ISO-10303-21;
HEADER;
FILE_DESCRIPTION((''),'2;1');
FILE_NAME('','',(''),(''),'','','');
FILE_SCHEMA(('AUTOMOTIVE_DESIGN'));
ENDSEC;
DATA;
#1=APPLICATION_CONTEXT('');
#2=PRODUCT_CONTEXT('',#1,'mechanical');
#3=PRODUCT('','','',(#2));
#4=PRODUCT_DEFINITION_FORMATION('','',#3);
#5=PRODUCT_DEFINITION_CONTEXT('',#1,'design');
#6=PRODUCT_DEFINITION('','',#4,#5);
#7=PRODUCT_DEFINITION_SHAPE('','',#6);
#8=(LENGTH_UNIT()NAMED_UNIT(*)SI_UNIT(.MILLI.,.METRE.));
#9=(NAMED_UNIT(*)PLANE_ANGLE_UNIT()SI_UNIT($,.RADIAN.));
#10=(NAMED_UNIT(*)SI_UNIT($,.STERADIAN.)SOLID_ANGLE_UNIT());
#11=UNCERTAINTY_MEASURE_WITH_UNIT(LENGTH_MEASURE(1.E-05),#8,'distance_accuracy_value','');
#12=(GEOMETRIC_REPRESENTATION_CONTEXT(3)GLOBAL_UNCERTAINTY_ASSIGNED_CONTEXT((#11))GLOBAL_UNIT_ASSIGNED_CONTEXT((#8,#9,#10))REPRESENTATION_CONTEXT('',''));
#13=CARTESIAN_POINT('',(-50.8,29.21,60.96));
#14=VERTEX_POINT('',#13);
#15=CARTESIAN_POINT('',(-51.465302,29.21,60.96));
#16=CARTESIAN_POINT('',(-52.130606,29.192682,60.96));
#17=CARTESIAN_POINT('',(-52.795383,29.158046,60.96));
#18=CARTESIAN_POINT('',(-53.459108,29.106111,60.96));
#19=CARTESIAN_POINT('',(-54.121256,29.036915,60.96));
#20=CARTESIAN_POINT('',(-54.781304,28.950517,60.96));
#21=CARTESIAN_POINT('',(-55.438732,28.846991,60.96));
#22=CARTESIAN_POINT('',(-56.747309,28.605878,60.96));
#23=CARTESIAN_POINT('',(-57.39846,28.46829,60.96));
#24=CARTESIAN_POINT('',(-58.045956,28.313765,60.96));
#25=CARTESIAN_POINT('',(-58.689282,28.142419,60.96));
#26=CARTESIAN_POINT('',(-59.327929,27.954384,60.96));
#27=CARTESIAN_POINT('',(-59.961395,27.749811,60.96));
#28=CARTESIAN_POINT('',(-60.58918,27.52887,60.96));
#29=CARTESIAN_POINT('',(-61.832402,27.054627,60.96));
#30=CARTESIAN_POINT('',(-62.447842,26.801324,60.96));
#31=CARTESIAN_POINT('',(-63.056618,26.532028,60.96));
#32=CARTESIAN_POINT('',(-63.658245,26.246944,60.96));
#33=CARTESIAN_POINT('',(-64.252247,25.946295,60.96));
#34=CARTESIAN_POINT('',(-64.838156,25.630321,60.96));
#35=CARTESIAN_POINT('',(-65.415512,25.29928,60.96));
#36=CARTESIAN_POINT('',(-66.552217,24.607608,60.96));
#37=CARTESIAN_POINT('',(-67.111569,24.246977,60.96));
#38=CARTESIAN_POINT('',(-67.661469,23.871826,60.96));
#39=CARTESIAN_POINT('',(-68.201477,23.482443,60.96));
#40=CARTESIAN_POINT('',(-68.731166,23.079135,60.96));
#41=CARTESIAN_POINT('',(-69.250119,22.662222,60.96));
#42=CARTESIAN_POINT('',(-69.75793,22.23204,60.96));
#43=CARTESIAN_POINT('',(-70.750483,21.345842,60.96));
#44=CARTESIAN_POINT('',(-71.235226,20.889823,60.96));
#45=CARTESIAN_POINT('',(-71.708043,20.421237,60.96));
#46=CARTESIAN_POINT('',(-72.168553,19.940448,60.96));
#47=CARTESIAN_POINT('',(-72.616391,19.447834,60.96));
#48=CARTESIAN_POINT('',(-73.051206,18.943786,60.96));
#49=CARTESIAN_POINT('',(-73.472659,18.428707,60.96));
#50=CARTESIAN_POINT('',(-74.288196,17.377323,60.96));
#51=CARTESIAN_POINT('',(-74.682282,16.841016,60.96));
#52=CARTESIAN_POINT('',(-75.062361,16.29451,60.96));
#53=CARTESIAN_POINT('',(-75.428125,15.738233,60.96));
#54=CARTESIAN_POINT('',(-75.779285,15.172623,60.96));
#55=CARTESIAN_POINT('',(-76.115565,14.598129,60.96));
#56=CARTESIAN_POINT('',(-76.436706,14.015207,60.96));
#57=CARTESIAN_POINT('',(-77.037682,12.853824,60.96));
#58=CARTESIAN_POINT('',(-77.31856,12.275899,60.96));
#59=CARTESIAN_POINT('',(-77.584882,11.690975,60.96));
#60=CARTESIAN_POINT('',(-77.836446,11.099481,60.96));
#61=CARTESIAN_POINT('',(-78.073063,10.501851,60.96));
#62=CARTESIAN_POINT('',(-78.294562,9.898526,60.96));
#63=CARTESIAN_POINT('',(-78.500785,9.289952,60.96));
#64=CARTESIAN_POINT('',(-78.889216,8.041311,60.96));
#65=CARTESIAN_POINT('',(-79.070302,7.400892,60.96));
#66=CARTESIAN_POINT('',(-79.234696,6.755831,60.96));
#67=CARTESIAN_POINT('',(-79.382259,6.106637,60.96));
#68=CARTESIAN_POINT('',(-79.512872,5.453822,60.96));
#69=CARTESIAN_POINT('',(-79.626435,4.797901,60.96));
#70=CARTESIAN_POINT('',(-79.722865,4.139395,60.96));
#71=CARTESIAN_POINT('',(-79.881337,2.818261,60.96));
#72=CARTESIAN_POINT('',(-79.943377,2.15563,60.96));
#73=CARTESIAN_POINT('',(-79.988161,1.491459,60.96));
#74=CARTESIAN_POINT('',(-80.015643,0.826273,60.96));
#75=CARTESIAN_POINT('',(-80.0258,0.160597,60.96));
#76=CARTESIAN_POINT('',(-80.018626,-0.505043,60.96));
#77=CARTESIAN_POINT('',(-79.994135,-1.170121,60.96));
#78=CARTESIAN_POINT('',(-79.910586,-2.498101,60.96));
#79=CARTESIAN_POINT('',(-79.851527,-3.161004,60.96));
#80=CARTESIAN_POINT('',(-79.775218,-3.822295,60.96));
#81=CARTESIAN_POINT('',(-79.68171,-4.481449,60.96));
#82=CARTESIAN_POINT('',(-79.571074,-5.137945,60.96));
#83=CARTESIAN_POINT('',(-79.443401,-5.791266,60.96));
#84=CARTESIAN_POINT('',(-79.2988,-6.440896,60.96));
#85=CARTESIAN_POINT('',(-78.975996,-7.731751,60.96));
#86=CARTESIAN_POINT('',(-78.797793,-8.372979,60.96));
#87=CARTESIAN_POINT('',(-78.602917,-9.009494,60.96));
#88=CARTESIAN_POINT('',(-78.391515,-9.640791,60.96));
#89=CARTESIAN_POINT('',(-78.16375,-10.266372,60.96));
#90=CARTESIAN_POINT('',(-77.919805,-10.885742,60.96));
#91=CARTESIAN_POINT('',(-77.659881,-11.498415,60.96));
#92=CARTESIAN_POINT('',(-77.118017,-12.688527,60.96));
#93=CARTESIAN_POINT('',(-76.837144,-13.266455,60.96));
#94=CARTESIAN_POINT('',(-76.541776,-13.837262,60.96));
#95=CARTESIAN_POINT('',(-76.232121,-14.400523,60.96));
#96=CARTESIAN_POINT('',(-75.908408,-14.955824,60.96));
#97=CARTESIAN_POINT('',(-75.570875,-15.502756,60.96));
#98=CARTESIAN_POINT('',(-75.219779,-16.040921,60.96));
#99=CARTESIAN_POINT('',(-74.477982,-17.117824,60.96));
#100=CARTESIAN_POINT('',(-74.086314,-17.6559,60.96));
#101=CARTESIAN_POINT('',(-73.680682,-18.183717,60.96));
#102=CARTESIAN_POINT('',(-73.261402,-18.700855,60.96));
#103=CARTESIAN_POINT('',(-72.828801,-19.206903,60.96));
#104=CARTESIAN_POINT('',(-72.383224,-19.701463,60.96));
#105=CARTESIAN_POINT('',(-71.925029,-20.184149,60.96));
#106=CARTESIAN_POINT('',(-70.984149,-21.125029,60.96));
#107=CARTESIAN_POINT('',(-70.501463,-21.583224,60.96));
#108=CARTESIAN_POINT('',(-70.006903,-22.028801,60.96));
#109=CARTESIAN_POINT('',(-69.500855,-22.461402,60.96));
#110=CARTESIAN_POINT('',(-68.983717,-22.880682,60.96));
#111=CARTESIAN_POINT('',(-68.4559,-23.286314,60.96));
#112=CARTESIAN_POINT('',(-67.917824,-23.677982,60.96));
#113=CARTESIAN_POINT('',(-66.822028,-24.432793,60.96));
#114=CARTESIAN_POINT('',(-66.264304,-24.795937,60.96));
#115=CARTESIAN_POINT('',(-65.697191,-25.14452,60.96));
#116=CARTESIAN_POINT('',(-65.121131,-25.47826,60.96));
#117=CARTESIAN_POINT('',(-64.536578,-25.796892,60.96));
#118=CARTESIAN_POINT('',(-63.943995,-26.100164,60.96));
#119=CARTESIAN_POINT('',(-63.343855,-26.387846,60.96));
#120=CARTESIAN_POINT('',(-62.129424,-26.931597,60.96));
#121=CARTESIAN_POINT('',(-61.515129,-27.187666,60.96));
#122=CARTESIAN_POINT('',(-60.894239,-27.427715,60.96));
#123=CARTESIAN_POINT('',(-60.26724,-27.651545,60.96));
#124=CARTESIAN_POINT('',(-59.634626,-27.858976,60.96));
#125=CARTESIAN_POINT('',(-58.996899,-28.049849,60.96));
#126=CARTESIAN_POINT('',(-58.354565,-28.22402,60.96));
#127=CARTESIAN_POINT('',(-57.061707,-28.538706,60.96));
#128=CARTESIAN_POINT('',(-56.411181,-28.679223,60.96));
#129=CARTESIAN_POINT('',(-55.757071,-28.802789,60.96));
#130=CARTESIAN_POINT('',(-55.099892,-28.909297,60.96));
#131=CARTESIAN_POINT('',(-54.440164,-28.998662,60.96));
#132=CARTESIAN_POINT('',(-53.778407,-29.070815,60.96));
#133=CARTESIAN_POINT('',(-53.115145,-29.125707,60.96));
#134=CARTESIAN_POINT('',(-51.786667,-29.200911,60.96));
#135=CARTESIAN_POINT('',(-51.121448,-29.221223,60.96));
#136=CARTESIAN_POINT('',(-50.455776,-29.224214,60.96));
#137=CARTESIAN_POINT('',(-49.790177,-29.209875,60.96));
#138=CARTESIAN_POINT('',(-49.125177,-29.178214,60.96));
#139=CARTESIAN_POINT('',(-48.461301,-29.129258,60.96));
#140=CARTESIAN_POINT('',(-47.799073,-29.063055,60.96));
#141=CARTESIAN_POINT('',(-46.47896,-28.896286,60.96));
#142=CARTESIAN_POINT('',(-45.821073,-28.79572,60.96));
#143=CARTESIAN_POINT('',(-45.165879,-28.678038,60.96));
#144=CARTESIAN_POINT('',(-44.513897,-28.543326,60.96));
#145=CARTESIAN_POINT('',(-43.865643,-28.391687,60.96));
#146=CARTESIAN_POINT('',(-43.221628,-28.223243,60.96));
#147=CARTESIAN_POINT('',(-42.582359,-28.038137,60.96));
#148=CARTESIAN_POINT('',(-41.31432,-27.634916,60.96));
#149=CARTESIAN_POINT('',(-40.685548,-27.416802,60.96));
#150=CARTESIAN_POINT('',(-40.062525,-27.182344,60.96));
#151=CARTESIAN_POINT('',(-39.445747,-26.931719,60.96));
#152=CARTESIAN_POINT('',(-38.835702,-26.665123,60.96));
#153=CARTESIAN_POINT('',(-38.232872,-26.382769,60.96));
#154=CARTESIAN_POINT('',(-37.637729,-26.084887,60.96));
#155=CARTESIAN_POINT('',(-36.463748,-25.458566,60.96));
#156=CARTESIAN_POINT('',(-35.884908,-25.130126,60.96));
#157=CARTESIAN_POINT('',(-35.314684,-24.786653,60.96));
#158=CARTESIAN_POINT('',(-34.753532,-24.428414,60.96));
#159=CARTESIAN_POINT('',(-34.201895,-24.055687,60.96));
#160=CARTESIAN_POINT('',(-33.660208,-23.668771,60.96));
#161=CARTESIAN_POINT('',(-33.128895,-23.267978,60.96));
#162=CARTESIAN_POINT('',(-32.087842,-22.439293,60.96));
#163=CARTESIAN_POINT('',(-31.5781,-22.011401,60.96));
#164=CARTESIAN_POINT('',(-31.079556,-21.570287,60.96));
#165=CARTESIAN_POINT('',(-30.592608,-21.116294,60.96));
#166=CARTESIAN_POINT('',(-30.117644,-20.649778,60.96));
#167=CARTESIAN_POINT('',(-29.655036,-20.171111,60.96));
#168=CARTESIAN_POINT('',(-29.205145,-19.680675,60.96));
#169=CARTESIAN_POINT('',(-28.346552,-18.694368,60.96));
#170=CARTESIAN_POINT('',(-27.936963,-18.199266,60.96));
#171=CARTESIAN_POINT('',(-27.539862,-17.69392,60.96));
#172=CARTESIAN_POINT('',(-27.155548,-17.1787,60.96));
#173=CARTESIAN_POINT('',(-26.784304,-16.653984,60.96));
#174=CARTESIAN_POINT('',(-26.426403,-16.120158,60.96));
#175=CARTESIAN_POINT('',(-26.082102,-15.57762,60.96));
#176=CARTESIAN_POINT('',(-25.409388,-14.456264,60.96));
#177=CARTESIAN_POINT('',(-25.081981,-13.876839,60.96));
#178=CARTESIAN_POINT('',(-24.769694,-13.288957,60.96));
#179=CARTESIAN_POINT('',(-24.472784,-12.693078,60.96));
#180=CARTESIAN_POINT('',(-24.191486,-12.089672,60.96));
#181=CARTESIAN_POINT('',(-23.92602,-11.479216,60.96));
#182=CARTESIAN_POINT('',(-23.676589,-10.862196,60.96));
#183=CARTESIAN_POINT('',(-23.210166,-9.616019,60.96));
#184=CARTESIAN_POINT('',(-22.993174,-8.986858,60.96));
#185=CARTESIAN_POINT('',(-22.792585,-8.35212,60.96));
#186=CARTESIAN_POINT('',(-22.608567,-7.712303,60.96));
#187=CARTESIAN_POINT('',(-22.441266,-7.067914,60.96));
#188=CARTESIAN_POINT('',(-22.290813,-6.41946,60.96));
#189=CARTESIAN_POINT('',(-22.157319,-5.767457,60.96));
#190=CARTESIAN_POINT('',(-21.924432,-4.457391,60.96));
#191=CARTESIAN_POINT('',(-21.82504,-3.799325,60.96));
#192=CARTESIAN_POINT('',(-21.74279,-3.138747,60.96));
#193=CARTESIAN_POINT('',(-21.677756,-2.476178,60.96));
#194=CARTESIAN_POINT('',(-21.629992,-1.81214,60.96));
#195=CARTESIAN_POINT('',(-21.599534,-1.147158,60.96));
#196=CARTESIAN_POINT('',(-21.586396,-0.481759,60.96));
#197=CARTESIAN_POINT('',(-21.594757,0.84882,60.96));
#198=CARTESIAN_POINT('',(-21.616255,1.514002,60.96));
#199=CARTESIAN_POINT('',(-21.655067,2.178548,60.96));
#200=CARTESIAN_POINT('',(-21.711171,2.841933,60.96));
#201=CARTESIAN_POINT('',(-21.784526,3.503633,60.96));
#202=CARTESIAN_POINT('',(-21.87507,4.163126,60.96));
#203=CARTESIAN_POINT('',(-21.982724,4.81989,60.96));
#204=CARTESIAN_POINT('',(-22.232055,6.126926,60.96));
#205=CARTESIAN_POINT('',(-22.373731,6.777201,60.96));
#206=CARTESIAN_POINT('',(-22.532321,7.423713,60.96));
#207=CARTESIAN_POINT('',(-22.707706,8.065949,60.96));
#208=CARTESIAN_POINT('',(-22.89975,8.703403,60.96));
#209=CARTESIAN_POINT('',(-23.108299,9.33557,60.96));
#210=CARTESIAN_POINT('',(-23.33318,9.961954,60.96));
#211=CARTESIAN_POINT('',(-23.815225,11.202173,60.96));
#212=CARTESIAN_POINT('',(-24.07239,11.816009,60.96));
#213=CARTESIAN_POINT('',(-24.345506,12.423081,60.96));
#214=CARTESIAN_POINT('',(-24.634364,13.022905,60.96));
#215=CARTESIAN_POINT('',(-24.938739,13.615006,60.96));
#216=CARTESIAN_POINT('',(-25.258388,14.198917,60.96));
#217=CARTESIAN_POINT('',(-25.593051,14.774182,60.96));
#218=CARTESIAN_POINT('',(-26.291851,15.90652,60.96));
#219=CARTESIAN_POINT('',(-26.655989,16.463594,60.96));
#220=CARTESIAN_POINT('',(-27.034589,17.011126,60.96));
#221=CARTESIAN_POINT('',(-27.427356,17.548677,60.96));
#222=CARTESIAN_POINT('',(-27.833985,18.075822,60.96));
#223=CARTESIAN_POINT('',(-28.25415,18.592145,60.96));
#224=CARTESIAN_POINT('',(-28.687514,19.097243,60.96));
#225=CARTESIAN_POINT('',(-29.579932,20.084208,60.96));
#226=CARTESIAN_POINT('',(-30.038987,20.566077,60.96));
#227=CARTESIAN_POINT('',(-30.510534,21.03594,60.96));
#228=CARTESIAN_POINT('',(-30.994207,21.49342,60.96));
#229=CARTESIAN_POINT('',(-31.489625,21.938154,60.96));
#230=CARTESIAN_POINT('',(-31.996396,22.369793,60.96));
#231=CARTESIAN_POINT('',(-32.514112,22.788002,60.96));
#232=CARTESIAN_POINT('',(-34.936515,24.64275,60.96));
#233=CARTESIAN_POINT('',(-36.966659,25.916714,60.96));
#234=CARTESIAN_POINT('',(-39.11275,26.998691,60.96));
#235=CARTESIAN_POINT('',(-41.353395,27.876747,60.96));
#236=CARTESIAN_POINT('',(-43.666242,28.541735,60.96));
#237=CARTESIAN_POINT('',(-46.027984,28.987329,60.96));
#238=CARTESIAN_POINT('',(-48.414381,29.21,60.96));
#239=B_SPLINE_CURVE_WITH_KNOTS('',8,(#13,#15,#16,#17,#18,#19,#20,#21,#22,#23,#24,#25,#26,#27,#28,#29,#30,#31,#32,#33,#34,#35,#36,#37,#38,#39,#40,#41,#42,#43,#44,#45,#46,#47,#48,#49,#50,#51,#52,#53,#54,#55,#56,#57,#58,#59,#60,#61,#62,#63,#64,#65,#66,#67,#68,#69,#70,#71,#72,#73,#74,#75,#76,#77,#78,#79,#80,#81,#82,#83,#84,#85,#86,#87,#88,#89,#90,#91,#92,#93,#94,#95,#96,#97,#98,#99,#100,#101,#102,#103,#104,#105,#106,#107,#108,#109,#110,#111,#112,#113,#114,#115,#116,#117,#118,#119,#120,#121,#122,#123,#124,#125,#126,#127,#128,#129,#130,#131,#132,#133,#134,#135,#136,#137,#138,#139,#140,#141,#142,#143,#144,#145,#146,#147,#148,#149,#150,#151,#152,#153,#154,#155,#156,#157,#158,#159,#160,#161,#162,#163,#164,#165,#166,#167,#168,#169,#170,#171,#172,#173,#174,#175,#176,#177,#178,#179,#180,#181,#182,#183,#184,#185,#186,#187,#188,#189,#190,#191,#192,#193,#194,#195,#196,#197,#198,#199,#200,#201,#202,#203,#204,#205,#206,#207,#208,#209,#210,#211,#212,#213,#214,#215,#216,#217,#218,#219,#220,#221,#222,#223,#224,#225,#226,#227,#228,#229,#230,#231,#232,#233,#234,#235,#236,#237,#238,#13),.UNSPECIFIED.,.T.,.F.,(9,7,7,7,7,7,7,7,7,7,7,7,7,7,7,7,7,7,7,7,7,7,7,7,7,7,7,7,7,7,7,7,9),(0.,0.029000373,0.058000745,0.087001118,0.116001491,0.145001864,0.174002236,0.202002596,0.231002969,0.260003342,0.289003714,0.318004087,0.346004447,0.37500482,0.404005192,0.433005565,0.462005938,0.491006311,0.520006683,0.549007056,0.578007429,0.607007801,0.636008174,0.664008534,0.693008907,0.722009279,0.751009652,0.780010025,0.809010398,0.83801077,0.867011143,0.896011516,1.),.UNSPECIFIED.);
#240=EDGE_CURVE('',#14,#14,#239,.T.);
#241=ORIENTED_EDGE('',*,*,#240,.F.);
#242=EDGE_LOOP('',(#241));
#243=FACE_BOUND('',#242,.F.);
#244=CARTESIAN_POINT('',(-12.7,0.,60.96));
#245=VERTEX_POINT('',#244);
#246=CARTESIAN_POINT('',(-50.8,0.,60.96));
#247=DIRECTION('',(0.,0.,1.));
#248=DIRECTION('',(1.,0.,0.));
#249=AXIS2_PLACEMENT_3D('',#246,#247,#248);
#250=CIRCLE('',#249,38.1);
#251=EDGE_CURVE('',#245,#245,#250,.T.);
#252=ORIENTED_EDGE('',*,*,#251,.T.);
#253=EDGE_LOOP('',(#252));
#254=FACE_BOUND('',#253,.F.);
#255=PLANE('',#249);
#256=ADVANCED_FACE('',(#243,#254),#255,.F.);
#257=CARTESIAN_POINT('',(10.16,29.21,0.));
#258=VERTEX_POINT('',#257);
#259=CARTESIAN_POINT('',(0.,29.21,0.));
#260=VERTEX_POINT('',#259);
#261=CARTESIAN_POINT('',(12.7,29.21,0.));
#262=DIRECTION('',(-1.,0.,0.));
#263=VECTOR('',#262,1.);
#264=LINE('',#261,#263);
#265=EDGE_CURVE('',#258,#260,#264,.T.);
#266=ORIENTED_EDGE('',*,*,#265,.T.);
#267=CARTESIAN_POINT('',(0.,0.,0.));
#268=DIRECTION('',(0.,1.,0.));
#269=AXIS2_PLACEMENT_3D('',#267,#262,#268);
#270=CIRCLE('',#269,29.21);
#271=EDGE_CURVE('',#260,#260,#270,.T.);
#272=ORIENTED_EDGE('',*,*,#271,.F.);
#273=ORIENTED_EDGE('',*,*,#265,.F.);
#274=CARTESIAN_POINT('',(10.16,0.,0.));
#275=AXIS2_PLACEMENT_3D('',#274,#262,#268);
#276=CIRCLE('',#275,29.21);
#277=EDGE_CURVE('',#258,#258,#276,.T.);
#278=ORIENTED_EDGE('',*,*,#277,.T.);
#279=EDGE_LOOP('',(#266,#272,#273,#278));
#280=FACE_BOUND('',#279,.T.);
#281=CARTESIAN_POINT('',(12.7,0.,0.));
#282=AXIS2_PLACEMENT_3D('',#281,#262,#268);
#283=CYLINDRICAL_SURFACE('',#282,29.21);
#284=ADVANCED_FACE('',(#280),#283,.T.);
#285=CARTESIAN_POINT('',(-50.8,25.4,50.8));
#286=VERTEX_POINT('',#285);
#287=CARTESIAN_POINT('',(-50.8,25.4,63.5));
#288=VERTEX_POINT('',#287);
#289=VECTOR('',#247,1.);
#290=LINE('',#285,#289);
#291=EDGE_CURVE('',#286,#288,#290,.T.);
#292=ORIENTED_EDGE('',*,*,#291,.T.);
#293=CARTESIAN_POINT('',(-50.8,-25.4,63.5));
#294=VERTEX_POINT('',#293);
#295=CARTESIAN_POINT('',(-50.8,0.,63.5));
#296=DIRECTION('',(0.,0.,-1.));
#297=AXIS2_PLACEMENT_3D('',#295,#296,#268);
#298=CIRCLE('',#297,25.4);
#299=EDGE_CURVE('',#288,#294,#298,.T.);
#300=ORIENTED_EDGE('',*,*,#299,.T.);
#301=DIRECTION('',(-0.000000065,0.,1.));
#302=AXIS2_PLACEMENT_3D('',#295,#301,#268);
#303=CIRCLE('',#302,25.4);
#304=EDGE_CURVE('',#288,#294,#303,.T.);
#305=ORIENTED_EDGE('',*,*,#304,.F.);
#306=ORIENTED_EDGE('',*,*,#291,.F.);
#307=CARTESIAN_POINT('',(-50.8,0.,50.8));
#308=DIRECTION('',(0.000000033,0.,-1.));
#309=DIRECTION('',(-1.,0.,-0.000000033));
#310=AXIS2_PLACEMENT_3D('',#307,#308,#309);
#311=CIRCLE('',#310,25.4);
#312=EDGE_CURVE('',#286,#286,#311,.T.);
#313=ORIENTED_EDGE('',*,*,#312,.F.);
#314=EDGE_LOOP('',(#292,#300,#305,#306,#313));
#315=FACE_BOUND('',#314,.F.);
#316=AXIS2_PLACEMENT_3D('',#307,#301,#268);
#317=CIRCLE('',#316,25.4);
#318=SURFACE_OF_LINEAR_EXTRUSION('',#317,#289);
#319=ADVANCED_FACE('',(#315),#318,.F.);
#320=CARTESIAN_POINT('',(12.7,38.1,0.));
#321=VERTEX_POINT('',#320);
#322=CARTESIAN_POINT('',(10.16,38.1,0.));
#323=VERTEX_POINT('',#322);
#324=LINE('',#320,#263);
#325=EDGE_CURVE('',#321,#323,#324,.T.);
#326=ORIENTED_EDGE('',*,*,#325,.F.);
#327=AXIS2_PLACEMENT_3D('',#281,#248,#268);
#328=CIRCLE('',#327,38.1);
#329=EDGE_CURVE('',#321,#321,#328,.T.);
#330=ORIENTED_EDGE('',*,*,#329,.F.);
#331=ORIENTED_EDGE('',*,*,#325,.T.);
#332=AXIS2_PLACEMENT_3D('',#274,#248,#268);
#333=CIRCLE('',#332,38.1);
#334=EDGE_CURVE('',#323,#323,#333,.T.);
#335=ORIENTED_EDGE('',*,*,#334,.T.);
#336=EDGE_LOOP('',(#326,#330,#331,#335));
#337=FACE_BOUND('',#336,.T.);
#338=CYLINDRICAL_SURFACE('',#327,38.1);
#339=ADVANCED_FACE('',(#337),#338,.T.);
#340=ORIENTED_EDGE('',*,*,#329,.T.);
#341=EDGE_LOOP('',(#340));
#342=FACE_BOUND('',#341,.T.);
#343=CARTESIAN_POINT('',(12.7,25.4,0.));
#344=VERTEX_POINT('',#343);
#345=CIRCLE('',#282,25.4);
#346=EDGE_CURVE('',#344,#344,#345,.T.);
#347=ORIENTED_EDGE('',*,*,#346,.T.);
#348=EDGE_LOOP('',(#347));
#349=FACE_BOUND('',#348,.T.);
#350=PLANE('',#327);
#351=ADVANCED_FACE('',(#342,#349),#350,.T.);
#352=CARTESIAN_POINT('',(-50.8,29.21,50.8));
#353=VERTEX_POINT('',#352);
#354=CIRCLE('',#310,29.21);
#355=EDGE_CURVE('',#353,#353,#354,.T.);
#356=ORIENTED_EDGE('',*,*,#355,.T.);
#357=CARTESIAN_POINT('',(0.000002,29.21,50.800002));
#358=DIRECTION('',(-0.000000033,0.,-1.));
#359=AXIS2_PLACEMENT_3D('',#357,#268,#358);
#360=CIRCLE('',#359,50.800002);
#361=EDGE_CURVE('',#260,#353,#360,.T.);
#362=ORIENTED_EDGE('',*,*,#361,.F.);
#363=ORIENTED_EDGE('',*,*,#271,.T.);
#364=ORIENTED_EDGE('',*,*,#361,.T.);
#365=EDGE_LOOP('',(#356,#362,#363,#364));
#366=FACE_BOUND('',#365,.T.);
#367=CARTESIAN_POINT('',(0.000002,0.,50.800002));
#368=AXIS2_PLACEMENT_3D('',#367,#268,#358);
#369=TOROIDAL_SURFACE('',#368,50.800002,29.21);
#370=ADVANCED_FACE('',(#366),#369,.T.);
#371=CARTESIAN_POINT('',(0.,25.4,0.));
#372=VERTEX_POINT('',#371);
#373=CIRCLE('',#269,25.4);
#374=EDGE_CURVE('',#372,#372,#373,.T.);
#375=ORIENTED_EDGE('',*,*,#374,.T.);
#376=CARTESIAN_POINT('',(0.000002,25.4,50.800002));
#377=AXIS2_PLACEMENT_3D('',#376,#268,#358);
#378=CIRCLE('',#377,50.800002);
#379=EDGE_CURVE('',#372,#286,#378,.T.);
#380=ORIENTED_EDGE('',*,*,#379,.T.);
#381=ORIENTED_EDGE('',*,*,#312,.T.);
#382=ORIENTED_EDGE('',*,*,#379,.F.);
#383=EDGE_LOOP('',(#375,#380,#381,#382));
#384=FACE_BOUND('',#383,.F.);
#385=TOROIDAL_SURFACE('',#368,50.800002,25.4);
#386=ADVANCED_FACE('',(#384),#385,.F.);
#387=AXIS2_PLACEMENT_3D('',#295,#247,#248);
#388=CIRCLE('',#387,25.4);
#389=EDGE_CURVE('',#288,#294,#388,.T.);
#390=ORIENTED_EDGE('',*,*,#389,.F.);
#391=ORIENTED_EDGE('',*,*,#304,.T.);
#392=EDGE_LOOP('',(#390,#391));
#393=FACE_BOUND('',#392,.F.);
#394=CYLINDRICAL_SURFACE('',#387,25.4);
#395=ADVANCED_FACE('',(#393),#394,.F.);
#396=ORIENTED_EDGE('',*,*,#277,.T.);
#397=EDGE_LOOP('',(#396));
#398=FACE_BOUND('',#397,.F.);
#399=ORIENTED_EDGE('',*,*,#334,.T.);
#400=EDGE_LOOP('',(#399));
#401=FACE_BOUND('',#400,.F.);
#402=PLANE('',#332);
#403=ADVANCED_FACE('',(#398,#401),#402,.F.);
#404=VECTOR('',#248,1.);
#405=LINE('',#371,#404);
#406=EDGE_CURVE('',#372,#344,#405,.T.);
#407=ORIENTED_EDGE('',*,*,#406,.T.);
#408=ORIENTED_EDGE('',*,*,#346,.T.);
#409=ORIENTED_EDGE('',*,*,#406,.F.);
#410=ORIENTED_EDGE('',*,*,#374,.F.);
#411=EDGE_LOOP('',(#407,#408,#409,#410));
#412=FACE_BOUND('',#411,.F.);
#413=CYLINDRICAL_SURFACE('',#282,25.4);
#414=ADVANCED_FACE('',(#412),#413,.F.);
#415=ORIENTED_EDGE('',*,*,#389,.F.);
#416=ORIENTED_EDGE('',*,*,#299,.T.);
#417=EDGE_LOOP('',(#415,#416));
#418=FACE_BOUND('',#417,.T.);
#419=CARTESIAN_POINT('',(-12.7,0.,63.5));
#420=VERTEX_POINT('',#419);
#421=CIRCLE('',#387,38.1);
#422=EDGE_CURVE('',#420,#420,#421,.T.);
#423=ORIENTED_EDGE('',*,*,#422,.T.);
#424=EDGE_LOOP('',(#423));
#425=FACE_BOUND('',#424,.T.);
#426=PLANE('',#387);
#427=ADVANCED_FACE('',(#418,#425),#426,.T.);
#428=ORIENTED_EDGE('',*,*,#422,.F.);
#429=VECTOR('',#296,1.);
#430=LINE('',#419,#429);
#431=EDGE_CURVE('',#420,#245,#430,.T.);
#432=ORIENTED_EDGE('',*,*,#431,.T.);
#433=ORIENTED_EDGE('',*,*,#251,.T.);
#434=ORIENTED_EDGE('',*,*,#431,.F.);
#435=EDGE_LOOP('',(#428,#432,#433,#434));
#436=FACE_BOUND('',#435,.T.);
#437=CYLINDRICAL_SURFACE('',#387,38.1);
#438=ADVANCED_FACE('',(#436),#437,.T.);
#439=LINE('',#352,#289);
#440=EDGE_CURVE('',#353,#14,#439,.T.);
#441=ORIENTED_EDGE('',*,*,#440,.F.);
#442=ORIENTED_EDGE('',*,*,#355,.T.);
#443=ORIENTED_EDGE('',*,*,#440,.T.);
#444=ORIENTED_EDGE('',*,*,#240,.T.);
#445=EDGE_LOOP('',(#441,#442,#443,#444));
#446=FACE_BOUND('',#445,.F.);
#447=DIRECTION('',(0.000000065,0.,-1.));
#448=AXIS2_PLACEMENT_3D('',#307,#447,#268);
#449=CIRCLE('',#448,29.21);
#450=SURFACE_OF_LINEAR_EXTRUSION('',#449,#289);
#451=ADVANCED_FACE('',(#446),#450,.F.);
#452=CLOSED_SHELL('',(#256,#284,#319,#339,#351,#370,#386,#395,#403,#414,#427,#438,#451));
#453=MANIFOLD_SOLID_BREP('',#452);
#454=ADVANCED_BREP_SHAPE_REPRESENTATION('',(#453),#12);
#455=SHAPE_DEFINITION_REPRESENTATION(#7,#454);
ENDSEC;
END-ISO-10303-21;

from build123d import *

# Parameters (mm, degrees)
F2_R     = 29.21
F2_R_2   = 25.4
F4_R     = 38.1
F4_R_2   = 25.4
F5_DEPTH = 2.54
F6_R     = 38.1
F6_R_2   = 25.4
F7_DEPTH = 2.54


with BuildPart() as f3:
    # F3: sweep along a path in F0
    with BuildLine(Plane.XZ) as f3_path:
        Line((12.7, 0), (0, 0))
        ThreePointArc((0, 0), (-35.921024, 14.878976), (-50.8, 50.8))
        Line((-50.8, 50.8), (-50.8, 63.5))
    # F2 (on offset) → F3 (sweep)
    with BuildSketch(Plane.YZ.offset(12.7)):
        Circle(F2_R)
        Circle(F2_R_2, mode=Mode.SUBTRACT)
    sweep(path=f3_path.line)

    # F4 (on face) → F5 (join)
    with BuildSketch(Plane.YZ.offset(12.7)):
        Circle(F4_R)
        Circle(F4_R_2, mode=Mode.SUBTRACT)
    extrude(amount=-F5_DEPTH)

    # F6 (on face) → F7 (join)
    with BuildSketch(Plane.XY.offset(63.5)):
        with Locations((-50.8, 0)):
            Circle(F6_R)
        with Locations((-50.8, 0)):
            Circle(F6_R_2, mode=Mode.SUBTRACT)
    extrude(amount=-F7_DEPTH)


solid = f3.part
